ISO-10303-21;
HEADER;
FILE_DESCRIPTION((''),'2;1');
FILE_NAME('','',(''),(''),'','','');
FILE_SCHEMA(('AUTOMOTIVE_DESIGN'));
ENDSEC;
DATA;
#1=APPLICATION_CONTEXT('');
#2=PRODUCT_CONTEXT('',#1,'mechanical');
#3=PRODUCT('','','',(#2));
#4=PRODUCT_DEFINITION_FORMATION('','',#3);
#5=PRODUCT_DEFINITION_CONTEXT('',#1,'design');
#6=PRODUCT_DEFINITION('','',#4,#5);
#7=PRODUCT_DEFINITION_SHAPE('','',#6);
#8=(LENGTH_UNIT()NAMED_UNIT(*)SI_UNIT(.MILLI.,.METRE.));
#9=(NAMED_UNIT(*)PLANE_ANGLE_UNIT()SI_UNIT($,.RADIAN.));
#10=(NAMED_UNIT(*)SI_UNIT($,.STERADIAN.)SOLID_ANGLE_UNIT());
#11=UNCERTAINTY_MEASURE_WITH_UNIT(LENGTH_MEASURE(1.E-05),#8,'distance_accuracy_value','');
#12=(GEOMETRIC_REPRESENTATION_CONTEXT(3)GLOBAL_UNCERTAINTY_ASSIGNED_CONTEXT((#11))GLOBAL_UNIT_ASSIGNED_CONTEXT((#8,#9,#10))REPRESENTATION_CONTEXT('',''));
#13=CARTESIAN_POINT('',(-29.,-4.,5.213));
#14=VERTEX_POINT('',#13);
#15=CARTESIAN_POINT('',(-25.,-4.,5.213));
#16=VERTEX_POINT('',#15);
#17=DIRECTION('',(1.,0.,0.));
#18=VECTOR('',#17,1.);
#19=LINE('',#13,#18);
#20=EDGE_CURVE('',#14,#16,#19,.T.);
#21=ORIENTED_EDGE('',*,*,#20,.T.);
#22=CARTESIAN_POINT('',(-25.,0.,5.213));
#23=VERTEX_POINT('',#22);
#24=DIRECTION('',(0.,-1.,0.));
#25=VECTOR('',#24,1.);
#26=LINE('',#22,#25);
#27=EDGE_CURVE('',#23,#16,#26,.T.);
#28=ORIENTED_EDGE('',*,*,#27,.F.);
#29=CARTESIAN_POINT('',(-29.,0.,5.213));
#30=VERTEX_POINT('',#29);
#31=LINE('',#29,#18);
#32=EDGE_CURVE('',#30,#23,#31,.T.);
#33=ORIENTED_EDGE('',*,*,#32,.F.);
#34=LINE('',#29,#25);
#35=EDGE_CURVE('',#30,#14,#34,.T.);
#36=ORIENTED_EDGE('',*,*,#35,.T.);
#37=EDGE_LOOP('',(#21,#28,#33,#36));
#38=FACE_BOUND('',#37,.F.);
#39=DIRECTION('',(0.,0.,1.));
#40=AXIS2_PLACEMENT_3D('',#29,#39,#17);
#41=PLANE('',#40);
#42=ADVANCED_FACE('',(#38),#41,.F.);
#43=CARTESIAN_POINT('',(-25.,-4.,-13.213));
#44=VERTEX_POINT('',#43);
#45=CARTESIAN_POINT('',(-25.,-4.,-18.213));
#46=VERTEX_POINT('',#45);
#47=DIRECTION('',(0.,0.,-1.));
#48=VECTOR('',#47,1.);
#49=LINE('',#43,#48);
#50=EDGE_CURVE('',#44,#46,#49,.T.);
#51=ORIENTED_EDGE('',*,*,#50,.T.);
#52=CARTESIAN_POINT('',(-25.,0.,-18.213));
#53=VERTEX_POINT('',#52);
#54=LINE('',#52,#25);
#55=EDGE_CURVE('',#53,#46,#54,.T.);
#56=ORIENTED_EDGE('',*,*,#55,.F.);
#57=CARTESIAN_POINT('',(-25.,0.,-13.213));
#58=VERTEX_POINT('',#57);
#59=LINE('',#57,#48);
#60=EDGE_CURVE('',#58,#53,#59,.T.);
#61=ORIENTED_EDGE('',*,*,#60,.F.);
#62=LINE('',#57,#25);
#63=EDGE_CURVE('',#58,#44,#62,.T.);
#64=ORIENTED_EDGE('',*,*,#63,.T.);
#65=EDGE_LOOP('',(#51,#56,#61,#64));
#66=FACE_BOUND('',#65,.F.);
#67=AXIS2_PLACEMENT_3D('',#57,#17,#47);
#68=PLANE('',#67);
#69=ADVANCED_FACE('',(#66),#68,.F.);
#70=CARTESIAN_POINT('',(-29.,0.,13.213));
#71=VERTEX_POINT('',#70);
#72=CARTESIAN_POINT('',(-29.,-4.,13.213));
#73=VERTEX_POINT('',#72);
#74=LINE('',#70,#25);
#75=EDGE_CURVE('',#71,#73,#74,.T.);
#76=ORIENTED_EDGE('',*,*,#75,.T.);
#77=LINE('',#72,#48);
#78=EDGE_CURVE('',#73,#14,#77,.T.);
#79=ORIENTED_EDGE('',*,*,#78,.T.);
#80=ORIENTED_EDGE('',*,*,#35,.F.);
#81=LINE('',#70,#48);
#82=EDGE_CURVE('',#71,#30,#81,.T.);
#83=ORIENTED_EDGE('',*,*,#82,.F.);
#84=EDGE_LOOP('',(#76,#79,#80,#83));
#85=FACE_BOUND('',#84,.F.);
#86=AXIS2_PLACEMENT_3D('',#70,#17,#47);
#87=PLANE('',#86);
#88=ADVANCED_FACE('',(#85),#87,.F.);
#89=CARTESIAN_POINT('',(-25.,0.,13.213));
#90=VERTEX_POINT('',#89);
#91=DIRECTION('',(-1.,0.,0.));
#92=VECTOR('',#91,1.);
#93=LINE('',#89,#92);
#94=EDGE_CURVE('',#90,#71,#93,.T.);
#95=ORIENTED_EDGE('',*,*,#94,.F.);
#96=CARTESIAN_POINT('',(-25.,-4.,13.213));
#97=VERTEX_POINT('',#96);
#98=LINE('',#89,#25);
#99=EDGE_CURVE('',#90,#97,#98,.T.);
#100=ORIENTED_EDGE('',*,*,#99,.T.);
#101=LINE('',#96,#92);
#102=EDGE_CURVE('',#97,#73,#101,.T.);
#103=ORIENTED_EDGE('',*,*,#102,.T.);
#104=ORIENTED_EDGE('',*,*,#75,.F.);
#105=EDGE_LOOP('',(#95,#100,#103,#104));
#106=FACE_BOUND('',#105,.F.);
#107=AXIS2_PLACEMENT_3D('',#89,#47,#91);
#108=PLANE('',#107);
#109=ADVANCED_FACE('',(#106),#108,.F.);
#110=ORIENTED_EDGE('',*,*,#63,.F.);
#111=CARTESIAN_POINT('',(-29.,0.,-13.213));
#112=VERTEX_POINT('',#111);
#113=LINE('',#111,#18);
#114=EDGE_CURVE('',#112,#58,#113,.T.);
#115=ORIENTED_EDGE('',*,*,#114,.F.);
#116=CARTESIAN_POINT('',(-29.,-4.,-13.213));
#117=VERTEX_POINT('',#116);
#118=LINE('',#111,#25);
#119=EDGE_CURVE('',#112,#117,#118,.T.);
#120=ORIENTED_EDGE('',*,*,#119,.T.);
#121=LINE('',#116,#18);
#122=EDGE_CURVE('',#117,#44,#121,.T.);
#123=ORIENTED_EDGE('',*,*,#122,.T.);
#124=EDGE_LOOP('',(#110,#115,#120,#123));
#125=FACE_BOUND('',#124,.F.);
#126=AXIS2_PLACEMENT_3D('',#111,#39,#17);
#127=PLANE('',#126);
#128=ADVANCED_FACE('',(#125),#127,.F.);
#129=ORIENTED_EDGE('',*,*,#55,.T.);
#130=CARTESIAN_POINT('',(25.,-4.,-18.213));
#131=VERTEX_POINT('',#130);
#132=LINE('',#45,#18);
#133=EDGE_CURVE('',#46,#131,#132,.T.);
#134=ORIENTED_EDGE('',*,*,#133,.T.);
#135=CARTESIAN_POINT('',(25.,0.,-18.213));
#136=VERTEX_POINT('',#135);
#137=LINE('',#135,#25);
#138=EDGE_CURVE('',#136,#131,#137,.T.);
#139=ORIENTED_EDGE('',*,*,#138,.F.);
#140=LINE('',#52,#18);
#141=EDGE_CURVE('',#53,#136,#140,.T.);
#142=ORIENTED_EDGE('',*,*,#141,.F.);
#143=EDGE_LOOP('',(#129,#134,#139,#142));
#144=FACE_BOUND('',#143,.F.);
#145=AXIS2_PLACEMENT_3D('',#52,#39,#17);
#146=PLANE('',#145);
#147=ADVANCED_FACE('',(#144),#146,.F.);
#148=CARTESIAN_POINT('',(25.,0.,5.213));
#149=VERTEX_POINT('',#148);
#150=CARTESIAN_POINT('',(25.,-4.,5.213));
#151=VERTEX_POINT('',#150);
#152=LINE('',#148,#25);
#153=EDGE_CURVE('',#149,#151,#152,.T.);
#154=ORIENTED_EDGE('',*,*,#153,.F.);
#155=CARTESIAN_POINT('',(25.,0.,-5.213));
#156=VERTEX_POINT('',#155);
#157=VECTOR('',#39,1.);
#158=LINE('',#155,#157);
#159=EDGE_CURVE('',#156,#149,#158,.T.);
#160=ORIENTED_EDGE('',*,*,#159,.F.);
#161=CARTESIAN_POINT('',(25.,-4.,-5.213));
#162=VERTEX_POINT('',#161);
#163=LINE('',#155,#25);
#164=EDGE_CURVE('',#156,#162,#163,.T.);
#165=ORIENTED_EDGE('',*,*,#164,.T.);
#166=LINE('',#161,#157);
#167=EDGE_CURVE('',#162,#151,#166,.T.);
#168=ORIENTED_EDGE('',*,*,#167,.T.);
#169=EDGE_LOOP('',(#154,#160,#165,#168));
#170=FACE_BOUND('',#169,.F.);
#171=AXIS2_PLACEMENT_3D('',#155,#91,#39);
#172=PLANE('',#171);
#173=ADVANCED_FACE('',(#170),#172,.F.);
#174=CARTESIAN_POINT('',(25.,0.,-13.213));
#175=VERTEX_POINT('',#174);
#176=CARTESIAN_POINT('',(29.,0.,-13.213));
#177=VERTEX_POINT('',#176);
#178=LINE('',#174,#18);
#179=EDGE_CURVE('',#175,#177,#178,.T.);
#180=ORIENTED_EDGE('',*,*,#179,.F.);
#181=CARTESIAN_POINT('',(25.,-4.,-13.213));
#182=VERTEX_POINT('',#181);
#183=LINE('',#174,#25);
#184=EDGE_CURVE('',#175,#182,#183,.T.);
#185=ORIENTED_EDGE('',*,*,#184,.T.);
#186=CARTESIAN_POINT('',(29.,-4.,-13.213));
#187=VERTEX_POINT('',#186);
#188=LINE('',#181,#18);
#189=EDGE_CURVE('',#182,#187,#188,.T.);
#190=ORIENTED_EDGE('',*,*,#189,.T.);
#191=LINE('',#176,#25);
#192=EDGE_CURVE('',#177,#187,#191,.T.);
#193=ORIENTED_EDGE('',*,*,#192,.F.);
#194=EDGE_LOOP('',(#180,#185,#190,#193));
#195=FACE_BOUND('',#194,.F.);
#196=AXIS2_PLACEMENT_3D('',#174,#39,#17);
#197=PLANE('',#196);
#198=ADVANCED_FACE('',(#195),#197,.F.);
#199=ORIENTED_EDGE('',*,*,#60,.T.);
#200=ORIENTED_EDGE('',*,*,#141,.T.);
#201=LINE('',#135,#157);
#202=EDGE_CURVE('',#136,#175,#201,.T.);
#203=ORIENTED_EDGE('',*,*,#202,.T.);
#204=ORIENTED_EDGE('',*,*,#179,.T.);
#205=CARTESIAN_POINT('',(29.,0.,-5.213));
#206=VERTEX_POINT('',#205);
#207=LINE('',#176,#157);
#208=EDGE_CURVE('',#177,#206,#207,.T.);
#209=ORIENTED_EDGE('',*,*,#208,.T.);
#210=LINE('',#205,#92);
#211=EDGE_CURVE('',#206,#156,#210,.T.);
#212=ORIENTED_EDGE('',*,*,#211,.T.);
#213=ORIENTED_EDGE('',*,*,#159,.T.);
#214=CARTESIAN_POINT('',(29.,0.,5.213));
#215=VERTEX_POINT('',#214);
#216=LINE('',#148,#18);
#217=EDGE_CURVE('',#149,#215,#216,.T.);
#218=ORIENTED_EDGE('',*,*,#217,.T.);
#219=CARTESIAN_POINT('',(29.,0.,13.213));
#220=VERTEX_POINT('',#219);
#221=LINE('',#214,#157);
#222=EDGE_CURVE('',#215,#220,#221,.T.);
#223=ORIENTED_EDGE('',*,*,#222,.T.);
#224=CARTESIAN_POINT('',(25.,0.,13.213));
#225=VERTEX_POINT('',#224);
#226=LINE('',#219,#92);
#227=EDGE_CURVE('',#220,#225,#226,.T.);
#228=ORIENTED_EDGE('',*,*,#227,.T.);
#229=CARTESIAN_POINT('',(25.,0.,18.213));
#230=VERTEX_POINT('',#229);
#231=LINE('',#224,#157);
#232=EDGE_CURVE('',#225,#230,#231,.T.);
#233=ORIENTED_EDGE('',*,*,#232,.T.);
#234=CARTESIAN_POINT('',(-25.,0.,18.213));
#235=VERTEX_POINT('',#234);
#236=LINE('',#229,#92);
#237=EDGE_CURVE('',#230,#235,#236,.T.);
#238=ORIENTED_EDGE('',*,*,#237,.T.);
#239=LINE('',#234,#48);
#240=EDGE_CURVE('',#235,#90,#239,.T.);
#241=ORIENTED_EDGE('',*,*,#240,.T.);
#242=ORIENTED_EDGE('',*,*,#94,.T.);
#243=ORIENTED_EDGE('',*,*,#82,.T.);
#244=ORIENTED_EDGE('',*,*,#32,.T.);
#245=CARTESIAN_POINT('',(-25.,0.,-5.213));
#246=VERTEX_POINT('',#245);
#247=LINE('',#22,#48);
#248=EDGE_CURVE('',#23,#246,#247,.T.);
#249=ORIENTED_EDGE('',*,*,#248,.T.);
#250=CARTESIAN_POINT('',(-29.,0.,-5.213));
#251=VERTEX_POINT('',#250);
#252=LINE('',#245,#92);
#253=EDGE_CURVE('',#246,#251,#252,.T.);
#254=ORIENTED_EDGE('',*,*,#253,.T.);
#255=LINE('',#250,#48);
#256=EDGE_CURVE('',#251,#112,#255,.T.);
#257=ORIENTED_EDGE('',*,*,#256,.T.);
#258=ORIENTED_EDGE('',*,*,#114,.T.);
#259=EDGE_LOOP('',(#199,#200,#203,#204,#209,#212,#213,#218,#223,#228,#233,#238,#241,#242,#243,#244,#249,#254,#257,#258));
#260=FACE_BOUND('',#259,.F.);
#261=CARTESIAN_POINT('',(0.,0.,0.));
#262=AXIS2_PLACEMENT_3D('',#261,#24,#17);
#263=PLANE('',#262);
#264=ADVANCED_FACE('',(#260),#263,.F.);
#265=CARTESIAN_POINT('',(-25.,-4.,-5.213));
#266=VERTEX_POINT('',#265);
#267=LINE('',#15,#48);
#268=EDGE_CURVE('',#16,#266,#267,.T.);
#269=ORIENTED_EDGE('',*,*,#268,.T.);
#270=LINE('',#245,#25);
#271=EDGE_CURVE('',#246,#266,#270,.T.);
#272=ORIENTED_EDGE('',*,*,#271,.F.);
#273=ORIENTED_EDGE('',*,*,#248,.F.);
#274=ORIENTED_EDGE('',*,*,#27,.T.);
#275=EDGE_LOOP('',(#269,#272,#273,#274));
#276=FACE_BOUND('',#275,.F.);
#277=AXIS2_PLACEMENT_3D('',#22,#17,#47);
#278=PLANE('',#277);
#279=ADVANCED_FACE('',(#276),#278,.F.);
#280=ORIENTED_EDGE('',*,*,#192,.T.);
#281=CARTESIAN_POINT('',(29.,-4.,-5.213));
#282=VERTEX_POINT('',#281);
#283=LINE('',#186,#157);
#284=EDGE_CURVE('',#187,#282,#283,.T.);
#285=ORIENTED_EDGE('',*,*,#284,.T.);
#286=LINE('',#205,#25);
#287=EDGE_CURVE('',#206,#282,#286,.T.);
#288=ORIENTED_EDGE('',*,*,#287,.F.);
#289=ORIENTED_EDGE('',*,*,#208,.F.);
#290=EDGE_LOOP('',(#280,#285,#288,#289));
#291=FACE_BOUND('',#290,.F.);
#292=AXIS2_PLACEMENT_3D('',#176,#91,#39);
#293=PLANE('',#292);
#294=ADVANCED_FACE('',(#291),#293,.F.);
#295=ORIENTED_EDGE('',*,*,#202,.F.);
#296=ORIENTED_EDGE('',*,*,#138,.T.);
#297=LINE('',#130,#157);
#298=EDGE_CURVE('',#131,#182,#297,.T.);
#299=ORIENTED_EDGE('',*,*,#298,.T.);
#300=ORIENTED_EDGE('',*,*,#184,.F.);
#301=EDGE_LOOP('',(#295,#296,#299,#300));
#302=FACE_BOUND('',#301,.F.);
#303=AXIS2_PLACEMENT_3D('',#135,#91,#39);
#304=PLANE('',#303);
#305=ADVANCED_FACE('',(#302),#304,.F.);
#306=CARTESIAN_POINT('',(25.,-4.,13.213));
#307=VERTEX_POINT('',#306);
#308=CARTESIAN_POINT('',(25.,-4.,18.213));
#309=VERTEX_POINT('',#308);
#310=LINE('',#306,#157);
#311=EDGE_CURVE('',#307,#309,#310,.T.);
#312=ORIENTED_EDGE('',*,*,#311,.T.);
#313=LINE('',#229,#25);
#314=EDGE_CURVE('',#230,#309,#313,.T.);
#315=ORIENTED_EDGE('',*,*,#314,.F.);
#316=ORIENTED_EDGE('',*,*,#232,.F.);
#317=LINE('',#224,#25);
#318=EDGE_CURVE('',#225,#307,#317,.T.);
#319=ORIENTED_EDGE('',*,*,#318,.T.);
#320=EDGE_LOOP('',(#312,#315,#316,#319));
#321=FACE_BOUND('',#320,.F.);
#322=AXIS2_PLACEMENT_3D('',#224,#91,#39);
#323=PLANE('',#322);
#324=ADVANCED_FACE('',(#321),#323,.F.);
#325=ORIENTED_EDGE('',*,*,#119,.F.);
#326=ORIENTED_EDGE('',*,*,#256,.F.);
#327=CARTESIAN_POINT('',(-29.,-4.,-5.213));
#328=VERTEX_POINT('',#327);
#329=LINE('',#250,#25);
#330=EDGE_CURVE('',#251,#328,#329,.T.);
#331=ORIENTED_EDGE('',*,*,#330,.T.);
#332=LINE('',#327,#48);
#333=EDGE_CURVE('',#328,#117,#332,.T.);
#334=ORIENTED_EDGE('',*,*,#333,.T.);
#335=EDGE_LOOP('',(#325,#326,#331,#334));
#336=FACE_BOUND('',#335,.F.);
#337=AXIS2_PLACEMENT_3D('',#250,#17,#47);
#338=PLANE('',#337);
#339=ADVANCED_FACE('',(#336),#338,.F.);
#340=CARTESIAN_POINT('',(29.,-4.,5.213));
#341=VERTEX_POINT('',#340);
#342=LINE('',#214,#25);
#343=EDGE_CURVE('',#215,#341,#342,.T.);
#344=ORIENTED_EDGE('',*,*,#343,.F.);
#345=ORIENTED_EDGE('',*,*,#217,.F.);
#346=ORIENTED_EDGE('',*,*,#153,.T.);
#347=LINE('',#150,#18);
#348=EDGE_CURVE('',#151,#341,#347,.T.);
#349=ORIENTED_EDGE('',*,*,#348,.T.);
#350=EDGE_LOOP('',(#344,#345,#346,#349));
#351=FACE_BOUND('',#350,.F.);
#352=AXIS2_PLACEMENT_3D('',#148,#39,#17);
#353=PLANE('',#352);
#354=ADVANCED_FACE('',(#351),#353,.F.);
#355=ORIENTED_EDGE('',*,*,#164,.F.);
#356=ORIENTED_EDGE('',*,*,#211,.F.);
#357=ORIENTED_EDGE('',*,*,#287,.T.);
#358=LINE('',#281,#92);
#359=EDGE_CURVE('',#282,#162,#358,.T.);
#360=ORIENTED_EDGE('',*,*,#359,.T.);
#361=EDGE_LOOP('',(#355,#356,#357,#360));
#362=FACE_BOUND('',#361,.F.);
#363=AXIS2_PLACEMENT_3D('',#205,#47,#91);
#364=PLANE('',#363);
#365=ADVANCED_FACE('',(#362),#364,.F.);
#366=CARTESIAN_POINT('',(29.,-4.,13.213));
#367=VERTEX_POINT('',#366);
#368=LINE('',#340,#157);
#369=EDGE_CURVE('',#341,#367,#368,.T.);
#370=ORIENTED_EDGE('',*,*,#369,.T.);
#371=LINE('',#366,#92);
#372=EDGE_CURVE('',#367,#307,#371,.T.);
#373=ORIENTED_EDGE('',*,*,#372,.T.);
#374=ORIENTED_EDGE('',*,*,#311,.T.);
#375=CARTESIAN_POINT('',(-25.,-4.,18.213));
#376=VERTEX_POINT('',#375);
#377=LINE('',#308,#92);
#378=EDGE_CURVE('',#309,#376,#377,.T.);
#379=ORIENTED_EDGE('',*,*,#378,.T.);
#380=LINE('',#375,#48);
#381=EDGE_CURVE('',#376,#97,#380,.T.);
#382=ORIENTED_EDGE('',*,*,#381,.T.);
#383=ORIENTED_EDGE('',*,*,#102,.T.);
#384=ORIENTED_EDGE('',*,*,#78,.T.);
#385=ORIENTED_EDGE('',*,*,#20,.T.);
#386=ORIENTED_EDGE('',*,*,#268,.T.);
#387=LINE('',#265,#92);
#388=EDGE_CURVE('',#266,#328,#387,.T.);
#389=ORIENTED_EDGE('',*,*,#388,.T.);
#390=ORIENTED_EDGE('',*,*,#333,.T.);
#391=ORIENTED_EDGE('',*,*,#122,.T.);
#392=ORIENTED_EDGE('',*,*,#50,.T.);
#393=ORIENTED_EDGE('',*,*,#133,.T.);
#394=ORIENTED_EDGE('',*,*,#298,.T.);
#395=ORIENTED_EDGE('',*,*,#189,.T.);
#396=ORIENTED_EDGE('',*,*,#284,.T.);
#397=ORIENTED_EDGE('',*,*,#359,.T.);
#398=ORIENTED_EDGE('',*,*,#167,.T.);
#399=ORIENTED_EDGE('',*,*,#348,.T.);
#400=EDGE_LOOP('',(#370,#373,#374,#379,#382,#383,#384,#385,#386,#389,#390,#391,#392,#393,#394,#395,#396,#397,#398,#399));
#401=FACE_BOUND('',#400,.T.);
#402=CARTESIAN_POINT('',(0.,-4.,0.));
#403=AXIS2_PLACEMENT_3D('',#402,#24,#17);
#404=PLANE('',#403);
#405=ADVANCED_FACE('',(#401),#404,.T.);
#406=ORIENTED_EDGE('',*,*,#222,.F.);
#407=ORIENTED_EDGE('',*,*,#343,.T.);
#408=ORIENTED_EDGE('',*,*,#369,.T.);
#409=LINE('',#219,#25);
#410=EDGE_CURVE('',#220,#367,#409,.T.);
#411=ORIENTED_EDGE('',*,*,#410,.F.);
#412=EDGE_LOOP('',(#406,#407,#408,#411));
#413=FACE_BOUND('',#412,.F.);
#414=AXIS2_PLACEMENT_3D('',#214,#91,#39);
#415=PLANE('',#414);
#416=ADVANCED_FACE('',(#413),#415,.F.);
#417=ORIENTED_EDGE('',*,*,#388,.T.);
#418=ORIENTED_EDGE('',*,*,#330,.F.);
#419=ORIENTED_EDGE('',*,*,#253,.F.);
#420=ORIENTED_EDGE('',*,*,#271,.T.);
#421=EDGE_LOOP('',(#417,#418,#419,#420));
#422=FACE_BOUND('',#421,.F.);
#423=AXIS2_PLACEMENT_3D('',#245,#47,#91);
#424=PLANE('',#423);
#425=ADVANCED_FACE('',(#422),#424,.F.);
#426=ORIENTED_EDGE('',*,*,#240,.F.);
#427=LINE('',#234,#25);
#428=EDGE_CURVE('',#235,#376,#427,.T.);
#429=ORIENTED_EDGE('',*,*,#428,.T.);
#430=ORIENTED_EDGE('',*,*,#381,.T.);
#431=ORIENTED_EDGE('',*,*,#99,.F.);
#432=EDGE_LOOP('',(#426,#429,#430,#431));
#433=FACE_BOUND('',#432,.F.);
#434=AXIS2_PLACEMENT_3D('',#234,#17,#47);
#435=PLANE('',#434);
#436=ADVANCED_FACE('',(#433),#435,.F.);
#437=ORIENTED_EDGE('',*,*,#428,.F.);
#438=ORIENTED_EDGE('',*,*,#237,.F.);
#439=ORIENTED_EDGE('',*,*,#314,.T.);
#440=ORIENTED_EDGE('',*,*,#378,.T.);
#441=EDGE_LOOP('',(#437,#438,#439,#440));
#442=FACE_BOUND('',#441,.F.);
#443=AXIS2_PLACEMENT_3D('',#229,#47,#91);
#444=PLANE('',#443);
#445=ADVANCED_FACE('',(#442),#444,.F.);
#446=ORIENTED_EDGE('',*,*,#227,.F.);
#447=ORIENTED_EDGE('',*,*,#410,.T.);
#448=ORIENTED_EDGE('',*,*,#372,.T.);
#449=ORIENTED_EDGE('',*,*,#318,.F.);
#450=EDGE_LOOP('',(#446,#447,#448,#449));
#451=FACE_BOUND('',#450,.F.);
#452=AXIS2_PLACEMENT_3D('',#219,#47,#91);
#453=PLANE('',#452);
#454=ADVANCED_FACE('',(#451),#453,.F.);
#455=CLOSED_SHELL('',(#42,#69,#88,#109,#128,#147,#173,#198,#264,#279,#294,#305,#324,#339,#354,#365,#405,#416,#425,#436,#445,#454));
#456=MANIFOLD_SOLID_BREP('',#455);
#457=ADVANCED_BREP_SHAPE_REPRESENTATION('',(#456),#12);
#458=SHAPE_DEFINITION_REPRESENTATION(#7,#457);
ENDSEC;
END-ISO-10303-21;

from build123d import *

# Parameters (mm, degrees)
F1_DEPTH = 4


with BuildPart() as f1:
    # F0 (on Front) → F1 (new body)
    with BuildSketch(Plane.XZ):
        Polygon((-25, 5.213), (-25, 0), (-25, -5.213), (-29, -5.213), (-29, -13.213), (-25, -13.213), (-25, -18.213), (0, -18.213), (25, -18.213), (25, -13.213), (29, -13.213), (29, -5.213), (25, -5.213), (25, 0), (25, 5.213), (29, 5.213), (29, 13.213), (25, 13.213), (25, 18.213), (0, 18.213), (-25, 18.213), (-25, 13.213), (-29, 13.213), (-29, 5.213), align=None)
    extrude(amount=F1_DEPTH)


solid = f1.part
